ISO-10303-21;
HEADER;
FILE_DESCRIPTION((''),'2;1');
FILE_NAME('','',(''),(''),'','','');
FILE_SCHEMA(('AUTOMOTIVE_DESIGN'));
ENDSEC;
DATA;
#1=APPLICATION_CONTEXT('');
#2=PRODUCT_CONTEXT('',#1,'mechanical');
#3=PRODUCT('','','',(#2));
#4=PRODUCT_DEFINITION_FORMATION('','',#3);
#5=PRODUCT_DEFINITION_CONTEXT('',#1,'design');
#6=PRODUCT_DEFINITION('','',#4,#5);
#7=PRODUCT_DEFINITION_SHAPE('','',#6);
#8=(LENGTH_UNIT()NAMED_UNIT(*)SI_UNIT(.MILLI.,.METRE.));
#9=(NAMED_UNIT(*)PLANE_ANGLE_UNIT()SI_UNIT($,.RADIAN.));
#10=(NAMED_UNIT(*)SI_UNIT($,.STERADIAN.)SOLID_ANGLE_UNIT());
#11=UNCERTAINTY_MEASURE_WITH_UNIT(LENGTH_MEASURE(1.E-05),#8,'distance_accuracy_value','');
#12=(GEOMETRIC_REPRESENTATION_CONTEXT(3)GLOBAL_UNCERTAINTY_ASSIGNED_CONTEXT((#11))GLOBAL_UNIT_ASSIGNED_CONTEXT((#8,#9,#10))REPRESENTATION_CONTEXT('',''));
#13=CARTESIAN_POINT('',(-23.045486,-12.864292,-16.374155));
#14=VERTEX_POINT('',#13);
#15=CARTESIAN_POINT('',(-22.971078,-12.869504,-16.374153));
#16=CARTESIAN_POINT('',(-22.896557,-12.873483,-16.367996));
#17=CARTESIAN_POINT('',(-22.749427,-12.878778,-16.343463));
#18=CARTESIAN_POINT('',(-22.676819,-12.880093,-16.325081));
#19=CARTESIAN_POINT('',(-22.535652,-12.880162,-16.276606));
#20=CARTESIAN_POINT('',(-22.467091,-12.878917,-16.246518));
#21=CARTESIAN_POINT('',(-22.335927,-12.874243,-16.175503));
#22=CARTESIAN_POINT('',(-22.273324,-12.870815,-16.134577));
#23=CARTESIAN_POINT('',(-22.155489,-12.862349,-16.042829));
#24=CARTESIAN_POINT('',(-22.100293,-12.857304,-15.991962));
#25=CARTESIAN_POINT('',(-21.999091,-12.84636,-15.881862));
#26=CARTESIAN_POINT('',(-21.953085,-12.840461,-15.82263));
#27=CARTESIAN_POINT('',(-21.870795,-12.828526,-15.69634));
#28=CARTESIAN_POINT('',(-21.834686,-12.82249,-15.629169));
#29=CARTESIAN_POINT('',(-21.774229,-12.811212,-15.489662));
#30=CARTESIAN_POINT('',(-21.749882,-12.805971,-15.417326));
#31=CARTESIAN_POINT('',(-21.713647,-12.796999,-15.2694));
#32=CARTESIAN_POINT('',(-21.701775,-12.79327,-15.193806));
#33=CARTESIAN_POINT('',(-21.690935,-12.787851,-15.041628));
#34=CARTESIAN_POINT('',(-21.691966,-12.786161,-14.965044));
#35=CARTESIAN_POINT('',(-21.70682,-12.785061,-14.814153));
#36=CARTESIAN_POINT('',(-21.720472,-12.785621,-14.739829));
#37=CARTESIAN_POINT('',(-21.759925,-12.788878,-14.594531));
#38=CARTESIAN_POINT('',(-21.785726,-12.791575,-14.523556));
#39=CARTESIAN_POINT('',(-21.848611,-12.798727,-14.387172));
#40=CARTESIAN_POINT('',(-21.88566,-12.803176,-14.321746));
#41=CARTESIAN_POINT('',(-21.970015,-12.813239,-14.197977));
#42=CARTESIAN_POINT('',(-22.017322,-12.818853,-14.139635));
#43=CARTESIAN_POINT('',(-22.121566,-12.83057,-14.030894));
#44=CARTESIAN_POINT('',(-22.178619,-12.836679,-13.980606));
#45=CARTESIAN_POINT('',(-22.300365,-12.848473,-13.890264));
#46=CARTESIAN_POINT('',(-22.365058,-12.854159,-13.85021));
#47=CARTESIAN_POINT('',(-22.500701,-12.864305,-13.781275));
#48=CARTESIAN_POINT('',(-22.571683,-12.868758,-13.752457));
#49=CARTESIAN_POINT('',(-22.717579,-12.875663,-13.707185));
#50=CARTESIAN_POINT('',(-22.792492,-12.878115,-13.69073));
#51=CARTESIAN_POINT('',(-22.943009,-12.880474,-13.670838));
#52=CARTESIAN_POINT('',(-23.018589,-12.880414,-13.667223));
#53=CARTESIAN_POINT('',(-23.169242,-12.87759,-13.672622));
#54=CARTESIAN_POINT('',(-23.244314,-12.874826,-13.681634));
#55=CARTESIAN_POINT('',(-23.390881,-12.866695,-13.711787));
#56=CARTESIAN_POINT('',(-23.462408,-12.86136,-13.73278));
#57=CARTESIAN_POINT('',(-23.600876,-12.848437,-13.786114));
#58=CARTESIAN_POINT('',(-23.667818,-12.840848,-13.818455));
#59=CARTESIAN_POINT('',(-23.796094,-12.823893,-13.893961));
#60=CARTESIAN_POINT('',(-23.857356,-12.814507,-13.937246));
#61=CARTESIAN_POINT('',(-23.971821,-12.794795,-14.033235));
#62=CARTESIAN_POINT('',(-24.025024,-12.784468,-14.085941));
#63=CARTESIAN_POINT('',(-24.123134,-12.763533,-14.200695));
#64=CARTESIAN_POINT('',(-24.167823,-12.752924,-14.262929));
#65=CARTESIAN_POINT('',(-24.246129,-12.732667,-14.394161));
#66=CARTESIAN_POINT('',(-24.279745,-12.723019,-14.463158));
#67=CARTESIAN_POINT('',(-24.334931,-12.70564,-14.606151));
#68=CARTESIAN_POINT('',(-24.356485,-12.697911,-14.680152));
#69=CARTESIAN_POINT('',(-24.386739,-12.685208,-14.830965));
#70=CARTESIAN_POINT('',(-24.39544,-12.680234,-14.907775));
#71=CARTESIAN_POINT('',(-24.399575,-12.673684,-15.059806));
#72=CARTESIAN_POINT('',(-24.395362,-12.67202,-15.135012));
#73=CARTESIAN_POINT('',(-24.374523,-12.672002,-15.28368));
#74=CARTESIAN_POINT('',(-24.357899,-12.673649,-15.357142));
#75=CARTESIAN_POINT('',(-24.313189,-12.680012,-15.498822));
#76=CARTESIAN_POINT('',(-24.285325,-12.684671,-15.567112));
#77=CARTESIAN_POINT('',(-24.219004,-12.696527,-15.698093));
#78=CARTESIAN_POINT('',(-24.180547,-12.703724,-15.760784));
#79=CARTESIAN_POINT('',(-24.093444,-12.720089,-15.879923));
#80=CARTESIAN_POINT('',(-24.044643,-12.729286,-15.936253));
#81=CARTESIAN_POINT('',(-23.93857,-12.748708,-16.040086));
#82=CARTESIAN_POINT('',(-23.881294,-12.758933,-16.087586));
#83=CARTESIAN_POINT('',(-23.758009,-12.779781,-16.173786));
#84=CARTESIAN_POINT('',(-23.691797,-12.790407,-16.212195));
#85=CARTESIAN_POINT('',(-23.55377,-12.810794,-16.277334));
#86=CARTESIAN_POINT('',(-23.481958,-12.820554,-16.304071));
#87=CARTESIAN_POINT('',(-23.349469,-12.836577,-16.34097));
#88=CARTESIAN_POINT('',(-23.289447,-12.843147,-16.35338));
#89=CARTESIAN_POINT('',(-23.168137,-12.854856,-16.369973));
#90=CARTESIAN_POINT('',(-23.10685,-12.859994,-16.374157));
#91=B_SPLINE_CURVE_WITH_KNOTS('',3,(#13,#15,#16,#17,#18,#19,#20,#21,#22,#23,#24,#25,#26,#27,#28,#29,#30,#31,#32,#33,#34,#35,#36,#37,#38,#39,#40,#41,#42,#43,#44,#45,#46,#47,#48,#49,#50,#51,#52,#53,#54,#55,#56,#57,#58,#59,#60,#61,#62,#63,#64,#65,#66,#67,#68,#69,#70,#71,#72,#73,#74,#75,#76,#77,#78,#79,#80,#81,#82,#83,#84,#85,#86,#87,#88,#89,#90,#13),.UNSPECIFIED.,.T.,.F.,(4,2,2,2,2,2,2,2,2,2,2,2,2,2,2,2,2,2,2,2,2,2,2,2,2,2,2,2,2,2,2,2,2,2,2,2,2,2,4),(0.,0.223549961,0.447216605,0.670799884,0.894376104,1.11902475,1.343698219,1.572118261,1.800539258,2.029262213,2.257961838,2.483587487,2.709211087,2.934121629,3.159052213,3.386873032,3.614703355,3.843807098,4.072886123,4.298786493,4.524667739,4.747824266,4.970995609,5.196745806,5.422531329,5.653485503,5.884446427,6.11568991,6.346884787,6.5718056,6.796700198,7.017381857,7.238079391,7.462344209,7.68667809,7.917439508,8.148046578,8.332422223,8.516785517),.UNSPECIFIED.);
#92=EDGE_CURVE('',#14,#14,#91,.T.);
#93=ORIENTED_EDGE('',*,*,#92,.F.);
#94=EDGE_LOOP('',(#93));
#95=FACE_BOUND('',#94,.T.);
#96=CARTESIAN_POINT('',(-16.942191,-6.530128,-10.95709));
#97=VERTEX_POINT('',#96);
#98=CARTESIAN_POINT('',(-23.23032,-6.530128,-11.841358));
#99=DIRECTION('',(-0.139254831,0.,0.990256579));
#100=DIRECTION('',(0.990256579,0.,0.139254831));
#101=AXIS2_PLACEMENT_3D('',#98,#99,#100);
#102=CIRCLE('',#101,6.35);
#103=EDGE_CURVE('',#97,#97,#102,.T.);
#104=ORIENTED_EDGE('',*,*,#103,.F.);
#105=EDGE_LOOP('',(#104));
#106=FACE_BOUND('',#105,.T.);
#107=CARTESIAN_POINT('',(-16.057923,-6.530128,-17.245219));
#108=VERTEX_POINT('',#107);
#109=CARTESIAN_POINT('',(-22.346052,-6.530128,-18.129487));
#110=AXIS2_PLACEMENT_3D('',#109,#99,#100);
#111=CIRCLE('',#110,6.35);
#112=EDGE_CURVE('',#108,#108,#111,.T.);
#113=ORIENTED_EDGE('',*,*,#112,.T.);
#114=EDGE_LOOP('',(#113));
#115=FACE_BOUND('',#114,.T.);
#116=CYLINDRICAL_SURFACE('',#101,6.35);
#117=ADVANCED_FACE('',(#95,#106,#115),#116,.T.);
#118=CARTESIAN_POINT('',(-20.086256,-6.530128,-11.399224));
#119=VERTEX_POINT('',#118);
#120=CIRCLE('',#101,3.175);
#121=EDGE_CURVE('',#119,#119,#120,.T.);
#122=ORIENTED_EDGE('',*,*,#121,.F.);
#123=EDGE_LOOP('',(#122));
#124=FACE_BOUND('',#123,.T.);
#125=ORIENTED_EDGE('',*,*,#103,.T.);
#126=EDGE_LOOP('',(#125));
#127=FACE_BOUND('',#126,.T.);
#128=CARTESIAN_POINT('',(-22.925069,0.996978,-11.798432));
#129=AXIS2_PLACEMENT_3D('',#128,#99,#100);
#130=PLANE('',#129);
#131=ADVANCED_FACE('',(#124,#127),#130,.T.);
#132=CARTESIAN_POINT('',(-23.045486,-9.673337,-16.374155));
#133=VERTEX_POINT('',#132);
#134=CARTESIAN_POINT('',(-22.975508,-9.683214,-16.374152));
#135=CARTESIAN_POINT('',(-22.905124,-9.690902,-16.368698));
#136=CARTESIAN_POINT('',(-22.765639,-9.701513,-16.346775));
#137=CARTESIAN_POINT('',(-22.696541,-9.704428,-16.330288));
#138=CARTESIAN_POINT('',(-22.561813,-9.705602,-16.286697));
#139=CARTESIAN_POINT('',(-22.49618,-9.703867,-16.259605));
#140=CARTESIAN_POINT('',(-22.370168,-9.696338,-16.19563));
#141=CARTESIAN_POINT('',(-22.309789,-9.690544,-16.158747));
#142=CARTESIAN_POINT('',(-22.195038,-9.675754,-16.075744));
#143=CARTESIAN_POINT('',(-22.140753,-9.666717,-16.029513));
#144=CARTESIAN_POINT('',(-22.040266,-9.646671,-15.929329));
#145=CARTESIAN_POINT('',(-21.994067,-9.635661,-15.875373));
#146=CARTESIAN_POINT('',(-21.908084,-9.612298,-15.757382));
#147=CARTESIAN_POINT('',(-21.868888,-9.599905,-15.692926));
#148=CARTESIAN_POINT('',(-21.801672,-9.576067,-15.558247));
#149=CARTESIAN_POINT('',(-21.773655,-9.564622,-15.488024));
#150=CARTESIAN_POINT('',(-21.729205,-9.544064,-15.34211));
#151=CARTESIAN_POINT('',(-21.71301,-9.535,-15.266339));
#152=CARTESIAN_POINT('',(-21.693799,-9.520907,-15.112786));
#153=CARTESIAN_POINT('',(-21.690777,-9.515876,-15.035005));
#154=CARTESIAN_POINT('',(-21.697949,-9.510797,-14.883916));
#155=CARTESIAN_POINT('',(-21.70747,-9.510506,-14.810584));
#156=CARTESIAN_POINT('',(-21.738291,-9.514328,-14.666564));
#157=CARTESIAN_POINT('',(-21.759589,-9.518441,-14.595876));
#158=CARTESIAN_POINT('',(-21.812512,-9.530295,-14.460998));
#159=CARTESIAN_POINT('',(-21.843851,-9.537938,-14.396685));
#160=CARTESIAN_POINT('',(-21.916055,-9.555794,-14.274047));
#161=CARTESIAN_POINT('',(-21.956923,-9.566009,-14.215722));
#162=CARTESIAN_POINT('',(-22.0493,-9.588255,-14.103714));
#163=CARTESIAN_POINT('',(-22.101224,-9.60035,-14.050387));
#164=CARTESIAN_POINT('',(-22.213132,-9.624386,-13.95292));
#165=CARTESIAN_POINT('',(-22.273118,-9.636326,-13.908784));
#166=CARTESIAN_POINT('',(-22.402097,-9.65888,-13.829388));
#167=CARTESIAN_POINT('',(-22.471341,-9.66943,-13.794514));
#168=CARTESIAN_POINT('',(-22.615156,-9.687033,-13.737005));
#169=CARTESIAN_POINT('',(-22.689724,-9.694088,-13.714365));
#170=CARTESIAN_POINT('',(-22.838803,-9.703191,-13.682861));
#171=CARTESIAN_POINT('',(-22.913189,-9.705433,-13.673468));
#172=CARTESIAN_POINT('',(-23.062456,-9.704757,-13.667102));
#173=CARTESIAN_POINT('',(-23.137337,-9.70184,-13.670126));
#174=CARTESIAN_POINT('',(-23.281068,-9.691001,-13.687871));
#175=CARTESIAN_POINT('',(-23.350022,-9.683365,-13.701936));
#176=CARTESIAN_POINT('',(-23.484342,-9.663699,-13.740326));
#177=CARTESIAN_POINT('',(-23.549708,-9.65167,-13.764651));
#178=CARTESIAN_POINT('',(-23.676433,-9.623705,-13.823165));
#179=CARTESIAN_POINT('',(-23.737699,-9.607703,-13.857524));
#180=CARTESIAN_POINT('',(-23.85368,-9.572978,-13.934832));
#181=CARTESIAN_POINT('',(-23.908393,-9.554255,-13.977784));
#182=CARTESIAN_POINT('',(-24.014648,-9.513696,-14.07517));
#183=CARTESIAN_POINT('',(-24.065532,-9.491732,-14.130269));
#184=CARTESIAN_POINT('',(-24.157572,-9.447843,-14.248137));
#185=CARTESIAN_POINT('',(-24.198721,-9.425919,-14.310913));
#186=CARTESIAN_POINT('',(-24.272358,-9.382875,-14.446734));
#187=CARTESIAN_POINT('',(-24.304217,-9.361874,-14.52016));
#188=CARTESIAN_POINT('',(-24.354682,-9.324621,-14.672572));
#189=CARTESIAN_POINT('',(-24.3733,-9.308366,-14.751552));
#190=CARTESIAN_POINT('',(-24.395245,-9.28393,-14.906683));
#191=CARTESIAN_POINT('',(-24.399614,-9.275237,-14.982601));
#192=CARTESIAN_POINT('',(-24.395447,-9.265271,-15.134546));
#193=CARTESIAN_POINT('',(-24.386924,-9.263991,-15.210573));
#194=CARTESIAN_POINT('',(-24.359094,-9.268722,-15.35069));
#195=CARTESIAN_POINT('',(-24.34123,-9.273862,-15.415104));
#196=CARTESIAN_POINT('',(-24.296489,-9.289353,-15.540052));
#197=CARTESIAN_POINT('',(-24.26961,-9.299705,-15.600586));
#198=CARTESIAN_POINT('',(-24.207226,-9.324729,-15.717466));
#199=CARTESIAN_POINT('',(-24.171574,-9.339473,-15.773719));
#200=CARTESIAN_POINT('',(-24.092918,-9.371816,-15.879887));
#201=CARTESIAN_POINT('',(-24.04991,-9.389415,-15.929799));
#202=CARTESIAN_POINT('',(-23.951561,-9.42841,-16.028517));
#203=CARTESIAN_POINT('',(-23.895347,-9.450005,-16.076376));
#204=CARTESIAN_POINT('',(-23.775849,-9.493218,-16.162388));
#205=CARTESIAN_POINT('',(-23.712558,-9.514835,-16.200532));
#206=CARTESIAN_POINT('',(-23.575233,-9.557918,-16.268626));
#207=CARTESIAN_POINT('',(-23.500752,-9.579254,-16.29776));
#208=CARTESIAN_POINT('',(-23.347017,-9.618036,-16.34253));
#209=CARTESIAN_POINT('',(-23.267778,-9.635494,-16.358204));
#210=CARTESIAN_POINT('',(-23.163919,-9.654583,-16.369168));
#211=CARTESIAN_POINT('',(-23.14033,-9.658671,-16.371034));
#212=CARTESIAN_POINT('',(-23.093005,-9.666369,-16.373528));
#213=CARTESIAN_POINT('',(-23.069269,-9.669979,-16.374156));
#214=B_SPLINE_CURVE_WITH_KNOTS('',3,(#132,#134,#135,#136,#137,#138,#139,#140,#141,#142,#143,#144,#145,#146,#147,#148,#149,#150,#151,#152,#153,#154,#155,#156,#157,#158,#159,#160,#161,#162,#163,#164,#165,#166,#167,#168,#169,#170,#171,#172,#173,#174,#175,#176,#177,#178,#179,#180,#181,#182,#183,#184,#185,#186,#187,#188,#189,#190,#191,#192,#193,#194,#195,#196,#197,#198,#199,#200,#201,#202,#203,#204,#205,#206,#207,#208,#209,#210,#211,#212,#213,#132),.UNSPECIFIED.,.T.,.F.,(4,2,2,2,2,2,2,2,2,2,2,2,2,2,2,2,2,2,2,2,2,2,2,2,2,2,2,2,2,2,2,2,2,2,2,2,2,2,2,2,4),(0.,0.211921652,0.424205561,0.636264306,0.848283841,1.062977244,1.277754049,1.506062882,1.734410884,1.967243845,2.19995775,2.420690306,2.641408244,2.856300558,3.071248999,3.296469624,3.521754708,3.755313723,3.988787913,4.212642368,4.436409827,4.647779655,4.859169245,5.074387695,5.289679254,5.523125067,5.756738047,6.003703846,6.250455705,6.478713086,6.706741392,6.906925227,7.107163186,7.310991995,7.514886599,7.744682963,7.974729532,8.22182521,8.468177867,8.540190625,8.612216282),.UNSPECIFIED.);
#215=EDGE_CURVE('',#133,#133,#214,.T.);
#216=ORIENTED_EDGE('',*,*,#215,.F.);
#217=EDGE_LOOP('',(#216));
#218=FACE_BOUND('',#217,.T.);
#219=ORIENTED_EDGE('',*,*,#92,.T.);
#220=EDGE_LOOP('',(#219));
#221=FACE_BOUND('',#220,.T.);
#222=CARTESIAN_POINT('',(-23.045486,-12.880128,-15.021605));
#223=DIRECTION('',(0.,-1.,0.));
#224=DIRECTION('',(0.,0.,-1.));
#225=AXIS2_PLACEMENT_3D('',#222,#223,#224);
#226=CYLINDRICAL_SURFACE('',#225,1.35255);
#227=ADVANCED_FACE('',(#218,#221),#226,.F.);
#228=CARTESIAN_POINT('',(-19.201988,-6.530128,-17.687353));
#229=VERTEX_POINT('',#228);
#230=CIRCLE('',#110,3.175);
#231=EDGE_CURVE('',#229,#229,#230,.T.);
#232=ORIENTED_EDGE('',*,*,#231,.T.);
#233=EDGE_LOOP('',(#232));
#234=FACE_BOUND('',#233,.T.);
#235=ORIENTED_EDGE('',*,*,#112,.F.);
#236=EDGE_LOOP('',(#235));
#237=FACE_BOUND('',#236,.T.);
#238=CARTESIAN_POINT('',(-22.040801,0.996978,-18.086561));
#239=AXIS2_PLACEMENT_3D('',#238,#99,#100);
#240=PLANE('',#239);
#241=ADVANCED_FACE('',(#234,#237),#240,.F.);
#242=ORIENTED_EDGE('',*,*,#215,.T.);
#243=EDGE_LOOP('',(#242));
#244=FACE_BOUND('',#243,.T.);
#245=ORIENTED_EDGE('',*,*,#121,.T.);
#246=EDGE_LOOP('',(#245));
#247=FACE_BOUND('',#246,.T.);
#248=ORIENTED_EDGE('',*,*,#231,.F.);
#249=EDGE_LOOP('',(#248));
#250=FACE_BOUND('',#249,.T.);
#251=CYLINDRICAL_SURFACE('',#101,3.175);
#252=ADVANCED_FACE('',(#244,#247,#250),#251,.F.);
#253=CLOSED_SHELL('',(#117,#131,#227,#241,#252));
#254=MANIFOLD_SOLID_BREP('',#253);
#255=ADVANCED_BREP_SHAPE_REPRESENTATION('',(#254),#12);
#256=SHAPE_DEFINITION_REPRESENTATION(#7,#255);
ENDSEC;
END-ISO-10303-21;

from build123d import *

# Parameters (mm, degrees)
SKETCH1_W                 = 6.35
SKETCH1_H                 = 3.175
F_6_32_TAPPED_HOLE1_D     = 2.7051
F_6_32_TAPPED_HOLE1_DEPTH = 6.35
F_6_32_TAPPED_HOLE1_TIP   = 0.81269403


with BuildPart() as part:
    # Sketch1 → Revolve1 (revolve)
    with BuildSketch(Plane(origin=(-29.958526336, -0.005469007, 37.92245832), x_dir=(0.13925483139909497, 0, -0.9902565788380351), z_dir=(0.9894272351965835, -0.04091828655590667, 0.13913820494951587)), mode=Mode.PRIVATE) as revolve1_sk:
        with Locations((53.390881452, -11.292628037)):
            Rectangle(SKETCH1_W, SKETCH1_H)
    revolve(revolve1_sk.sketch.rotate(Axis((-23.230320423, -6.530128037, -11.84135777), (0.13925483139909509, 0, -0.9902565788380351)), 267.654900162), axis=Axis((-23.230320423, -6.530128037, -11.84135777), (0.13925483139909509, 0, -0.9902565788380351)))

    # #6-32 Tapped Hole1
    with Locations(Plane(origin=(0, -12.880128037, 0), x_dir=(-1, 0, 0), z_dir=(0, -1, 0))):
        with Locations((23.045485809, 15.021605147)):
            Hole(F_6_32_TAPPED_HOLE1_D / 2, depth=F_6_32_TAPPED_HOLE1_DEPTH)
            with Locations((0, 0, -(F_6_32_TAPPED_HOLE1_DEPTH + F_6_32_TAPPED_HOLE1_TIP / 2))):  # 118° drill point
                Cone(0, F_6_32_TAPPED_HOLE1_D / 2, F_6_32_TAPPED_HOLE1_TIP, mode=Mode.SUBTRACT)


solid = part.part
